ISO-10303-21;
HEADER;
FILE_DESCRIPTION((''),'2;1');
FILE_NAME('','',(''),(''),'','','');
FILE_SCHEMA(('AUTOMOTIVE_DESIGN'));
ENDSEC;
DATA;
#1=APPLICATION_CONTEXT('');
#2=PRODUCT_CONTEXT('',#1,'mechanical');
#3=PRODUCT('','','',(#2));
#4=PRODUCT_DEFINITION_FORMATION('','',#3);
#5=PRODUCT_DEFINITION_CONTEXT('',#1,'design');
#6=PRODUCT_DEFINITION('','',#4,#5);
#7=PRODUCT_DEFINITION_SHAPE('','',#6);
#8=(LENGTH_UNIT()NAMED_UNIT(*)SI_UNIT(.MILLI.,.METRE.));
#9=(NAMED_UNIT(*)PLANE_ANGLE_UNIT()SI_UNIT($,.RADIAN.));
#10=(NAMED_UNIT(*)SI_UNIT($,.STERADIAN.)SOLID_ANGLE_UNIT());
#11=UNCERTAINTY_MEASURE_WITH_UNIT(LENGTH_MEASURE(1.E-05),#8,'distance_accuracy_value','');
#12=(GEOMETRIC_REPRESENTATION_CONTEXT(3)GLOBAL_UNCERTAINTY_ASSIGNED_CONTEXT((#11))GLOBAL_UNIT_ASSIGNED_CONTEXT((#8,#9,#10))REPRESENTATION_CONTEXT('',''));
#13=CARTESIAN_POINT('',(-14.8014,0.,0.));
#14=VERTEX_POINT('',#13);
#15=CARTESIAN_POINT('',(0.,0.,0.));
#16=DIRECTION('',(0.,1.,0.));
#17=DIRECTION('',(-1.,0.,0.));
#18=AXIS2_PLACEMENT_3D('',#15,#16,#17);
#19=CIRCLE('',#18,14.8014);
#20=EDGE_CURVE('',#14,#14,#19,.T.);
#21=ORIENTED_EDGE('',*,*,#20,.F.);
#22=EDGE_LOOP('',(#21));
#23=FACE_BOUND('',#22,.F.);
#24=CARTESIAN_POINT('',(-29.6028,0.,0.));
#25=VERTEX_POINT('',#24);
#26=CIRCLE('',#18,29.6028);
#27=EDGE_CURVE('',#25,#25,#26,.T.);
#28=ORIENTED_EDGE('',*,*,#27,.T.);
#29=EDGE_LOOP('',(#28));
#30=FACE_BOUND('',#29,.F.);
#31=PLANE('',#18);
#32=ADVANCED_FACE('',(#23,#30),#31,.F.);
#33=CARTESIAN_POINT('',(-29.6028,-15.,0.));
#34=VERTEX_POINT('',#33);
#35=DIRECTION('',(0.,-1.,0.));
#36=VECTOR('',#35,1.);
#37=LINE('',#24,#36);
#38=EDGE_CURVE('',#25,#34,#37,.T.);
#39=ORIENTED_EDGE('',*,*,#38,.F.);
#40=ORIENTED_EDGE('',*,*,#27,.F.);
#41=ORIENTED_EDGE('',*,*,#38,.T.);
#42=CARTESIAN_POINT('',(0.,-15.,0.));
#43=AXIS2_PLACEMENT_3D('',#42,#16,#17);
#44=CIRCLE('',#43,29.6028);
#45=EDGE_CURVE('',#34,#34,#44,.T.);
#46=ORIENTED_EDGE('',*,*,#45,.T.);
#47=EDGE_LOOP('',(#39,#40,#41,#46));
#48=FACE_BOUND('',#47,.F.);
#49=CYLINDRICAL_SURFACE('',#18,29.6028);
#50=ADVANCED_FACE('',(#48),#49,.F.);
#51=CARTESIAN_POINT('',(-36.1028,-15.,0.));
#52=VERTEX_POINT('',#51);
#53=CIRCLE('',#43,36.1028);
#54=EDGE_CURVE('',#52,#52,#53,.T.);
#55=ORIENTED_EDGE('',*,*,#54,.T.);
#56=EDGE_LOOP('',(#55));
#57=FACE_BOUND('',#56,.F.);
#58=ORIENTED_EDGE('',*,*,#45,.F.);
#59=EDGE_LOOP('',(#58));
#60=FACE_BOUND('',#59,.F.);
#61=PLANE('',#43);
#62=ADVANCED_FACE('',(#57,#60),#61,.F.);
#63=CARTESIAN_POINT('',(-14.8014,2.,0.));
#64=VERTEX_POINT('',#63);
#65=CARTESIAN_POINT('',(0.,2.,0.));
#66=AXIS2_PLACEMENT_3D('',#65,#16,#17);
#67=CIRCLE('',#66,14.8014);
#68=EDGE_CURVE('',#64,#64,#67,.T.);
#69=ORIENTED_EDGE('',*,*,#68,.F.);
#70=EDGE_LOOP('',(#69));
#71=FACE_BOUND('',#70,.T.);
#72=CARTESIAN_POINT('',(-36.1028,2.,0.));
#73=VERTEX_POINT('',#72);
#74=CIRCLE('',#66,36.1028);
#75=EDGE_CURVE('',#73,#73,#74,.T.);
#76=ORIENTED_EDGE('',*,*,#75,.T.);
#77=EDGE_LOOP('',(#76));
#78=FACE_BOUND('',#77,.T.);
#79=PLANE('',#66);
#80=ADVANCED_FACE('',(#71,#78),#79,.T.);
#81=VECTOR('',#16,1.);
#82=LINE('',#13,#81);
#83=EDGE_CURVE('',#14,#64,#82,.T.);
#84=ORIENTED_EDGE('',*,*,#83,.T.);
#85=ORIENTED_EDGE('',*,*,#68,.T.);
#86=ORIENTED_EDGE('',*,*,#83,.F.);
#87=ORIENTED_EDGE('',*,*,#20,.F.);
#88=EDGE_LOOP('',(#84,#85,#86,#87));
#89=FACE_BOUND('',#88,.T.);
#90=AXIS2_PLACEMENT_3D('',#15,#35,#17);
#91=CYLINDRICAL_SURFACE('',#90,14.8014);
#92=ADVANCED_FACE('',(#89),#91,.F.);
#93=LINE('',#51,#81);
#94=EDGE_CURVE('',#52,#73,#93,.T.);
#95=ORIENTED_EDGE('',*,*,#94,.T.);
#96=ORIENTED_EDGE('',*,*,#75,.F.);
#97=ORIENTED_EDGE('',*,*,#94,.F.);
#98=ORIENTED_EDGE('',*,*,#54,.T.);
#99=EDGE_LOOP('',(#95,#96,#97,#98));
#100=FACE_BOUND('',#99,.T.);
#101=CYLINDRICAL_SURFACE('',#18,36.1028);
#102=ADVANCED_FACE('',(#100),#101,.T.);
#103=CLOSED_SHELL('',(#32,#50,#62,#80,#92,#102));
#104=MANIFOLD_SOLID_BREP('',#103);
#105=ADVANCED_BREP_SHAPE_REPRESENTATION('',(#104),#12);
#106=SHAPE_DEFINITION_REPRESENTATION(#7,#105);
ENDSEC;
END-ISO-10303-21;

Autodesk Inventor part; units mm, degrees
ref_plane "YZ Plane" through (0, 0, 0) normal (1, 0, 0) x (0, 1, 0)
ref_plane "XZ Plane" through (0, 0, 0) normal (0, 1, 0) x (-1, 0, 0)
ref_plane "XY Plane" through (0, 0, 0) normal (0, 0, 1) x (1, 0, 0)
sketch "Szkic1" plane through (0, 0, 0) normal (0, 1, 0) x (-1, 0, 0)
  circle A0 centre (0, 0) radius 36.1028
  circle A1 centre (0, 0) radius 29.6028
  circle A2 centre (0, 0) radius 14.8014
  dimension "d16" = 36.1028
  dimension "d23" = 29.6028
  dimension "d28" = 14.8014
extrude "Wyciągnięcie proste1" add sketch "Szkic1" along normal blind 2 contours A0 | A1
extrude "Wyciągnięcie proste2" add sketch "Szkic1" against normal blind 15 contours A0
equation "\"d16\" = Rr + R + h2"
equation "\"d23\" = R"
equation "\"d28\" = 0.5 * R"
equation "\"d29\" = h1"
equation "\"Lrz\" = 11"
equation "\"Lrw\" = 4"
equation "\"Lh\" = 7"
equation "\"Rr\" = 1.5"
equation "\"R1\" = 5"
equation "\"h1\" = 2"
equation "\"h2\" = 5"
equation "\"E1\" = 0.5 * Rr"
equation "\"silnik_rw\" = 2.5"
equation "\"silnik_r_wypust\" = Lrz"
equation "\"silnik_d_srub\" = 31"
equation "\"dwr1\" = -0.25 * Rr + 0.25 * R - 0.25 * Lrz"
equation "\"dwr2\" = 0.5 * Lrz + 0.5 * R"
equation "\"dwr\" = R"
equation "\"R\" = 29.602819"
properties part number "Korpus 2"
